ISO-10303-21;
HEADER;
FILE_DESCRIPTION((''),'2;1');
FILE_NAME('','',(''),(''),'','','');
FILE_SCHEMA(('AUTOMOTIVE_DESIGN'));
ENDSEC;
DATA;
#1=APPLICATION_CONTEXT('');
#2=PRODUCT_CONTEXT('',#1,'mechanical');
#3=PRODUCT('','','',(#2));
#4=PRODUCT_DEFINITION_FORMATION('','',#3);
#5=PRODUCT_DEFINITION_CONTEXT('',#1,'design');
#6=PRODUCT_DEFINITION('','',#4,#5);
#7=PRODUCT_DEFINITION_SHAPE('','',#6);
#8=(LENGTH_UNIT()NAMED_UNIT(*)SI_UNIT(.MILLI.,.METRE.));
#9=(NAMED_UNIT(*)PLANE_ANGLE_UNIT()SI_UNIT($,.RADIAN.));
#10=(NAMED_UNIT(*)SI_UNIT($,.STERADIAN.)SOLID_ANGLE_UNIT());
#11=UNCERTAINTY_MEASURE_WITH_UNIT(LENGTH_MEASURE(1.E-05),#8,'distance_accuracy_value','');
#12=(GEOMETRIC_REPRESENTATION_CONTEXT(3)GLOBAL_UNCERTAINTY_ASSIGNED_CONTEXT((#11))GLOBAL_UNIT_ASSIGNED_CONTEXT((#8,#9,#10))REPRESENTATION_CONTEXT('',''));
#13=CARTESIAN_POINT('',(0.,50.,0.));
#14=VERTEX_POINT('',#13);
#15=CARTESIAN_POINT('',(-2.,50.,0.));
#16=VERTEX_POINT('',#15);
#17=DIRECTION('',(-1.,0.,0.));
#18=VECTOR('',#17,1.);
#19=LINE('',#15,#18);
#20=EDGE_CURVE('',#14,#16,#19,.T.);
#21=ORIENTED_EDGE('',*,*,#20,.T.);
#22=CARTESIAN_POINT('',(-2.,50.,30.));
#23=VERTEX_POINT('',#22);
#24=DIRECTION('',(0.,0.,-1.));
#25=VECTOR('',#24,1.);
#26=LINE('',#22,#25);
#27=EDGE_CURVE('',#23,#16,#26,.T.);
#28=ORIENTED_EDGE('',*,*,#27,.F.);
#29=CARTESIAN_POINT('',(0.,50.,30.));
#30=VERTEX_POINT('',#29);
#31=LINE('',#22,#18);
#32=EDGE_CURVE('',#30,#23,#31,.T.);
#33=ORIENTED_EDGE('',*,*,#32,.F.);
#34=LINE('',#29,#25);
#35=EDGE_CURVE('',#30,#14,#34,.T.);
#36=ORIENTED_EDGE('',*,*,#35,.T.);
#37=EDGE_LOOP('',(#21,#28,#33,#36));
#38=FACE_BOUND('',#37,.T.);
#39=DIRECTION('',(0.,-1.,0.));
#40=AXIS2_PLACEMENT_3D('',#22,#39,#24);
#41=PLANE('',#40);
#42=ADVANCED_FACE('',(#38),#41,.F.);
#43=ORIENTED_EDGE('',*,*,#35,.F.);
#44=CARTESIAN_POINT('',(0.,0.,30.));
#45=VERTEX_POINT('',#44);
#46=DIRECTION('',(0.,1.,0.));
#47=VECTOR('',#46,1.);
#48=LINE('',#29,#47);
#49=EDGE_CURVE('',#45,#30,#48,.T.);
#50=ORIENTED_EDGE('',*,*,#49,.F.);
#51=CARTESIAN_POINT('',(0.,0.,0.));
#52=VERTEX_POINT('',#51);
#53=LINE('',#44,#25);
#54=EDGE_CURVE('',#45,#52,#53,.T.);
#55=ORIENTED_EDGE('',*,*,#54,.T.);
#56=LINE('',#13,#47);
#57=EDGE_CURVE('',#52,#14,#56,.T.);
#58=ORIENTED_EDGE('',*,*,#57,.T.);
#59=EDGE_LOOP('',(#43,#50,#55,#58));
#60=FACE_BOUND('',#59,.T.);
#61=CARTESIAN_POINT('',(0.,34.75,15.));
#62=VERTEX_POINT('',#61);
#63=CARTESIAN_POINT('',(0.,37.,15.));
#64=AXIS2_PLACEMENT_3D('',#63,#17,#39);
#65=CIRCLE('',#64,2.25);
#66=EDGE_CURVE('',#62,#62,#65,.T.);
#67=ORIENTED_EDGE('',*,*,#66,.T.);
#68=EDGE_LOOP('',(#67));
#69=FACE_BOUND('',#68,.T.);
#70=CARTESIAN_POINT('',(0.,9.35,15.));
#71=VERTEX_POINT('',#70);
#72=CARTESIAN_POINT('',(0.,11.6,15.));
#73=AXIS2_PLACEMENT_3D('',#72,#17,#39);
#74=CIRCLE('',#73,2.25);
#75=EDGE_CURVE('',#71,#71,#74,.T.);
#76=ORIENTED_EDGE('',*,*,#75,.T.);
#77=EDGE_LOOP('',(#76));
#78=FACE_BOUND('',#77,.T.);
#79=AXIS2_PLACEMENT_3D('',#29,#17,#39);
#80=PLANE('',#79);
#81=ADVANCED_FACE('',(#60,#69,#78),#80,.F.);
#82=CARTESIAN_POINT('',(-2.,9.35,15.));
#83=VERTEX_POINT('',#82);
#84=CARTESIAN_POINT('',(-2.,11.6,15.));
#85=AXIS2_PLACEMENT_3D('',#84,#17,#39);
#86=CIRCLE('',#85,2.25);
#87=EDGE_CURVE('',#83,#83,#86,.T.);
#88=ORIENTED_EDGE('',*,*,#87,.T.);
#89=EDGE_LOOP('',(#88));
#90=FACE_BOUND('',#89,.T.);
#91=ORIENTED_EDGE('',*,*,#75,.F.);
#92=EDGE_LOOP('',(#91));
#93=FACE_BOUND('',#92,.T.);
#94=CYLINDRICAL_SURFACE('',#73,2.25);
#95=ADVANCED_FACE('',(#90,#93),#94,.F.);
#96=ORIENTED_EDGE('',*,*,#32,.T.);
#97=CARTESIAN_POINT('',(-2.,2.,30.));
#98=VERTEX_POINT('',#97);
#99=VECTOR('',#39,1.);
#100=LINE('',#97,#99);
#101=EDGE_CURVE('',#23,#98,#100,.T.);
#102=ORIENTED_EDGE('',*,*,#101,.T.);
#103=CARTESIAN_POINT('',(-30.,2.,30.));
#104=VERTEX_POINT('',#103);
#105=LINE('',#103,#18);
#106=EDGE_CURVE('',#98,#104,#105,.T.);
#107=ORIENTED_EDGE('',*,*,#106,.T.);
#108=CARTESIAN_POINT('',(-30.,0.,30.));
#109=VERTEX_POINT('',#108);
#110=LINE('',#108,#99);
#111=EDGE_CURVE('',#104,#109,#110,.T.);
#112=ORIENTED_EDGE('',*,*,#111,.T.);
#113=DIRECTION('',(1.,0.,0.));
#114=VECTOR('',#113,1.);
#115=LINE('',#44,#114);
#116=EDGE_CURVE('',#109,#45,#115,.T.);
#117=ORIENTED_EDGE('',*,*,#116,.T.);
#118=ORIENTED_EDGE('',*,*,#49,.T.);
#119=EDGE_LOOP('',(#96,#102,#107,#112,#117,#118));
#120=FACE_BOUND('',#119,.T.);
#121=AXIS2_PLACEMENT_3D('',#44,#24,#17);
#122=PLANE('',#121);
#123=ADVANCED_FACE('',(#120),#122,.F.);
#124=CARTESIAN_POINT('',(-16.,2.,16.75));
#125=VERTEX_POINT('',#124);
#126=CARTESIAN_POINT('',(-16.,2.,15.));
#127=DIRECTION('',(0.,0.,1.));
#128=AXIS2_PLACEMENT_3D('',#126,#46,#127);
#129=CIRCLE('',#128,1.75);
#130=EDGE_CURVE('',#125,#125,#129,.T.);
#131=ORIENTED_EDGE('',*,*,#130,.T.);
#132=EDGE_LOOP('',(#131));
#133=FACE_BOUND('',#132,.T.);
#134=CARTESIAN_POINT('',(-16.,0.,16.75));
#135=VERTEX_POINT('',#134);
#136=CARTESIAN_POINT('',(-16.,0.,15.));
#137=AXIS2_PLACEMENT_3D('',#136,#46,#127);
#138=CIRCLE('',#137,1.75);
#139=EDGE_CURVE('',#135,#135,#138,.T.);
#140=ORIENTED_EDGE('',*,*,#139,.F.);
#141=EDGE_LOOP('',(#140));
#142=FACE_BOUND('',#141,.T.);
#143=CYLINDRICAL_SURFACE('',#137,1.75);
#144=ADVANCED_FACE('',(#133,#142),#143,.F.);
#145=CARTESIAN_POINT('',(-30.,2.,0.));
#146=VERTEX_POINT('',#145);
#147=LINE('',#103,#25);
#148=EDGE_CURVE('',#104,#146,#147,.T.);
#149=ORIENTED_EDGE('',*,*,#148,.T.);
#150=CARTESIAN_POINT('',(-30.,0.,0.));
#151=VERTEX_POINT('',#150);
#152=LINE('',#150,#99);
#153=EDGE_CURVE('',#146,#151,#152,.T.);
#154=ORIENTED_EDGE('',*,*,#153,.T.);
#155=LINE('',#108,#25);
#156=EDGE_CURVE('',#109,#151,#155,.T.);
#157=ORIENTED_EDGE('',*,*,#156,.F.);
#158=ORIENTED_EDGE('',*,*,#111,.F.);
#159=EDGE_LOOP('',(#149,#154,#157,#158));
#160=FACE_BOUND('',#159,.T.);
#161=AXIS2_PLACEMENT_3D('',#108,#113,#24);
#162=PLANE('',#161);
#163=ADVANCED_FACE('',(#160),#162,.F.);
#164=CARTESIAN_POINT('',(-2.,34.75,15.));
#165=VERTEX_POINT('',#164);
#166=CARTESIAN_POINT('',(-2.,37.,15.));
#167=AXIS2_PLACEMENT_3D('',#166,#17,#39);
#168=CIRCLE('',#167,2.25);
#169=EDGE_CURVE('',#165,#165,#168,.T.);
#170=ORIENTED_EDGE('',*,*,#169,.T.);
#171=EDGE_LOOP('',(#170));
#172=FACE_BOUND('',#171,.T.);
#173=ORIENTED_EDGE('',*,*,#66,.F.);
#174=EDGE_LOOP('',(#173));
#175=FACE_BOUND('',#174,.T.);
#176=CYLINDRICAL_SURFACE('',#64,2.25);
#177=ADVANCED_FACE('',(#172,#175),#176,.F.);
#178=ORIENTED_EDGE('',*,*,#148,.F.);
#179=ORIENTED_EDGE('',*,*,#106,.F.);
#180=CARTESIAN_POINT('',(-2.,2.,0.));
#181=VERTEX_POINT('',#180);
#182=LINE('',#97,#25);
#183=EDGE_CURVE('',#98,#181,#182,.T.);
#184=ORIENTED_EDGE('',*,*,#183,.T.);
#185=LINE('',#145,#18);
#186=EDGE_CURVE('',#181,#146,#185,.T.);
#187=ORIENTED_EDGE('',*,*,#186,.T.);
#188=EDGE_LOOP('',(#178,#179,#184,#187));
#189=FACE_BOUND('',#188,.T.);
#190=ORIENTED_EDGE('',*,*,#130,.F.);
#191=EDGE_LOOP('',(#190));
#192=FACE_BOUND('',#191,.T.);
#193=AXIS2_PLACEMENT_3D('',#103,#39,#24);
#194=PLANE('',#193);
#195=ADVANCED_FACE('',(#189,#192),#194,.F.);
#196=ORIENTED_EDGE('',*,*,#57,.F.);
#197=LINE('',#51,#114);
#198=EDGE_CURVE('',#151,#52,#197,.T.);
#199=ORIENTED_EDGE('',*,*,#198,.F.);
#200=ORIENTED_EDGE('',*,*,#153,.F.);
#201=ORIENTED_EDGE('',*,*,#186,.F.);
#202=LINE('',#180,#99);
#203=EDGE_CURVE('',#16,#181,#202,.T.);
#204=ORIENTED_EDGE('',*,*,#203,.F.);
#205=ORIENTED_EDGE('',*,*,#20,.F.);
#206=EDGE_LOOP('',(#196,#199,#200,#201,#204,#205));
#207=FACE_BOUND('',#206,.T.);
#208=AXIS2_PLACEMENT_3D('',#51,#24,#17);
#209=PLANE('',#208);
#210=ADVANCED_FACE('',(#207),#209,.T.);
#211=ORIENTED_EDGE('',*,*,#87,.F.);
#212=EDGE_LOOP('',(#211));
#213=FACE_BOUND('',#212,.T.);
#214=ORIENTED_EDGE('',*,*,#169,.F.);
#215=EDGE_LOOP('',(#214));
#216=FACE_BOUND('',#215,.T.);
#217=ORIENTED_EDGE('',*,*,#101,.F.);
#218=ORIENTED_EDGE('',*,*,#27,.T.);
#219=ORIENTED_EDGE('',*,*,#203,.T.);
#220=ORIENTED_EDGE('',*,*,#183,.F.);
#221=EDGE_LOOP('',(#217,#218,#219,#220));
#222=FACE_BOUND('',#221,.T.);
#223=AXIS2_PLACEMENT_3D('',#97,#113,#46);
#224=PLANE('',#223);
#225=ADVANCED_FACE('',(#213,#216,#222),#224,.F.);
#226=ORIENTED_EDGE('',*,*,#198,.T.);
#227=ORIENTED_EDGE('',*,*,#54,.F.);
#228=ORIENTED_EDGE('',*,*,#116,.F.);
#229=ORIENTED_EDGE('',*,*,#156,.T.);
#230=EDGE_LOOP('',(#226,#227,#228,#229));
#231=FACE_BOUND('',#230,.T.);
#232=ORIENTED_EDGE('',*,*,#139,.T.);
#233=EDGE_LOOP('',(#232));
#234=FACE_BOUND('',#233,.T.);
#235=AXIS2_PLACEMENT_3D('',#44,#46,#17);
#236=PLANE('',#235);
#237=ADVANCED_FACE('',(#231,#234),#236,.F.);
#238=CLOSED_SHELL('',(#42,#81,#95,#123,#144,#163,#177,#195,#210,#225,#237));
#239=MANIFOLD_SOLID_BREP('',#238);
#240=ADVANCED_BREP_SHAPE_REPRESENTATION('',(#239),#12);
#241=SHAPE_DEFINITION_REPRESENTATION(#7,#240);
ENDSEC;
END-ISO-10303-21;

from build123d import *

# Parameters (mm, degrees)
ESTRUSIONE_ESTRUSIONE1_DEPTH = 30
SCHIZZO2_R                   = 2.25
TAGLIO_ESTRUSIONE1_DEPTH     = 3
SCHIZZO3_R                   = 1.75
TAGLIO_ESTRUSIONE2_DEPTH     = 3


with BuildPart() as part:
    # Schizzo1 → Estrusione-Estrusione1 (new body)
    with BuildSketch(Plane.XY):
        Polygon((0, 0), (-30, 0), (-30, 2), (-2, 2), (-2, 50), (0, 50), align=None)
    extrude(amount=ESTRUSIONE_ESTRUSIONE1_DEPTH)

    # Schizzo2 → Taglio-Estrusione1 (cut, through all)
    with BuildSketch(Plane.ZY.offset(2)):
        with Locations((15, 37)):
            Circle(SCHIZZO2_R)
        with Locations((15, 11.6)):
            Circle(SCHIZZO2_R)
    extrude(amount=-TAGLIO_ESTRUSIONE1_DEPTH, mode=Mode.SUBTRACT)

    # Schizzo3 → Taglio-Estrusione2 (cut, through all)
    with BuildSketch(Plane(origin=(0, 2, 0), x_dir=(1, 0, 0), z_dir=(0, 1, 0))):
        with Locations((-16, -15)):
            Circle(SCHIZZO3_R)
    extrude(amount=-TAGLIO_ESTRUSIONE2_DEPTH, mode=Mode.SUBTRACT)


solid = part.part
